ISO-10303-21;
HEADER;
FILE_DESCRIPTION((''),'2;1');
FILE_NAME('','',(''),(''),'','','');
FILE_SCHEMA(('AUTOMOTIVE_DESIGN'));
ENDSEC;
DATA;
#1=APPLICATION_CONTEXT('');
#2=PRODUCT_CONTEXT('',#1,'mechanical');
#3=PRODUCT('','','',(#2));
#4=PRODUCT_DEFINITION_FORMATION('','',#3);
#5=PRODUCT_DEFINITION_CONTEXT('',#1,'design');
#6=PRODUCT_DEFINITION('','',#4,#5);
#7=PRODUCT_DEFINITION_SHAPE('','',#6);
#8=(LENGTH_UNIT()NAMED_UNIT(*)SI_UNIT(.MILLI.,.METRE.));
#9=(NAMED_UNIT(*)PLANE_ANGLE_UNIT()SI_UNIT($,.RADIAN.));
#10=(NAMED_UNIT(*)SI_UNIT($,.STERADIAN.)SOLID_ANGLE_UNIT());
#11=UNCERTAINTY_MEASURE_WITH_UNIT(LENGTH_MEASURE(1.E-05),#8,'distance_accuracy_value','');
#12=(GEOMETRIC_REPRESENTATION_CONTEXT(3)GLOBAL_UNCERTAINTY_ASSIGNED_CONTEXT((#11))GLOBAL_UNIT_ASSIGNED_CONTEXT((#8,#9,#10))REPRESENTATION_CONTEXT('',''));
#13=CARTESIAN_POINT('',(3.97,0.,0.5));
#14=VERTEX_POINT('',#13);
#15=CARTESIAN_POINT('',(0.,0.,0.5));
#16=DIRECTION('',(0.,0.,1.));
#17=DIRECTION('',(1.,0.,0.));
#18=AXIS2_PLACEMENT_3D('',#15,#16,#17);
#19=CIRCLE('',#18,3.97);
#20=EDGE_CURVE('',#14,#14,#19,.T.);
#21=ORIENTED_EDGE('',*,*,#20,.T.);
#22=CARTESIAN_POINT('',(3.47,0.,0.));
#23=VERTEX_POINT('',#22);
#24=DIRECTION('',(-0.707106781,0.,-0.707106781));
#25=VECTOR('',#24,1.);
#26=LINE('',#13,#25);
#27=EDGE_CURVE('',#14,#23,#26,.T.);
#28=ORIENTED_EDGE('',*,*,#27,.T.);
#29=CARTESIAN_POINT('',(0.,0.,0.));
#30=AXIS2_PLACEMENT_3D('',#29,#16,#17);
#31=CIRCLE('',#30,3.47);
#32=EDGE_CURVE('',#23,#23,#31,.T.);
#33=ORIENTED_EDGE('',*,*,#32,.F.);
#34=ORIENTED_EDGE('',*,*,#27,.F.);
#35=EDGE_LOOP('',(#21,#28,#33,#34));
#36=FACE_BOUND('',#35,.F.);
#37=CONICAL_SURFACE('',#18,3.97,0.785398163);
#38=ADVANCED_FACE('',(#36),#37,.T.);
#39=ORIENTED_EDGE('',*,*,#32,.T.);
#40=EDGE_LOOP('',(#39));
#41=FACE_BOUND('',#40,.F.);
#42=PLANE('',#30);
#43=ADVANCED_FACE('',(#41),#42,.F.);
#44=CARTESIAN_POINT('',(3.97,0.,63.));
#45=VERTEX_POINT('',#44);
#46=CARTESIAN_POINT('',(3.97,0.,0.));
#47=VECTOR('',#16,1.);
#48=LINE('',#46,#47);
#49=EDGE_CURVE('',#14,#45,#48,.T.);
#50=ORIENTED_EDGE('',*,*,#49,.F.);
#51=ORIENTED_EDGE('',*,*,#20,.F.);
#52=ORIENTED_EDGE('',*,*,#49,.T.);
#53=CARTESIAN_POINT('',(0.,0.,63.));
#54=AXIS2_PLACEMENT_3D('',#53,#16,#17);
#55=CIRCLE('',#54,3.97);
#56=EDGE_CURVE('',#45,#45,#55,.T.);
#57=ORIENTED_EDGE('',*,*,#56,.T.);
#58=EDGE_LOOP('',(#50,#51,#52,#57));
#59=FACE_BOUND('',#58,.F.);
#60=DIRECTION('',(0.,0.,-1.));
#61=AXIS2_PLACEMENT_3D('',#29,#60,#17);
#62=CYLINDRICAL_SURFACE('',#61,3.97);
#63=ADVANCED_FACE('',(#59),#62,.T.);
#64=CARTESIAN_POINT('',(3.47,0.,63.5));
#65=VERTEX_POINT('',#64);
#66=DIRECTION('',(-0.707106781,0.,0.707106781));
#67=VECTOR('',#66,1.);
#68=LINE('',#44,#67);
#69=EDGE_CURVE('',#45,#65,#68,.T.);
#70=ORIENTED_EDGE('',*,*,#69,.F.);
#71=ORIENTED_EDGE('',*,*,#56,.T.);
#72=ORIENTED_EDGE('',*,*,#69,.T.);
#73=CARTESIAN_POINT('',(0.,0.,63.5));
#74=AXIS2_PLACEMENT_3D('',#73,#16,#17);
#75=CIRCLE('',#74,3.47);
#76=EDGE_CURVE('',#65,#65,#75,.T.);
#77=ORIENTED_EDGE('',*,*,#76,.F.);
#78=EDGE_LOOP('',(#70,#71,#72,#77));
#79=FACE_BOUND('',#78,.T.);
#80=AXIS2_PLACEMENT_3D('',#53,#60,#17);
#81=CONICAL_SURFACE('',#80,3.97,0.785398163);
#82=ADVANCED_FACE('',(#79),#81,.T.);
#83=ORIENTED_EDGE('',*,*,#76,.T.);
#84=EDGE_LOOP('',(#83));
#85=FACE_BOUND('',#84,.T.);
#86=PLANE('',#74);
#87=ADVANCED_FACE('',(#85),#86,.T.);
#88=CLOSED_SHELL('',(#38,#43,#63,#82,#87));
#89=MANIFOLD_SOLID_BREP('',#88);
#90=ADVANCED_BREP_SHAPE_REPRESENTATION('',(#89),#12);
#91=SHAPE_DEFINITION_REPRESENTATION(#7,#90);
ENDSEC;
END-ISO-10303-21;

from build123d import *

# Parameters (mm, degrees)
SKETCH001_R  = 3.97
PAD_DEPTH    = 63.5
CHAMFER_SIZE = 0.5


with BuildPart() as part:
    # Sketch001 → Pad (new body)
    with BuildSketch(Plane.XY):
        Circle(SKETCH001_R)
    extrude(amount=PAD_DEPTH)

    # Chamfer
    chamfer_edges = [part.edges().sort_by_distance(p)[0] for p in [
        (-3.97, 0, 63.5),
        (-3.97, 0, 0),
    ]]
    chamfer(chamfer_edges, length=CHAMFER_SIZE)


solid = part.part
